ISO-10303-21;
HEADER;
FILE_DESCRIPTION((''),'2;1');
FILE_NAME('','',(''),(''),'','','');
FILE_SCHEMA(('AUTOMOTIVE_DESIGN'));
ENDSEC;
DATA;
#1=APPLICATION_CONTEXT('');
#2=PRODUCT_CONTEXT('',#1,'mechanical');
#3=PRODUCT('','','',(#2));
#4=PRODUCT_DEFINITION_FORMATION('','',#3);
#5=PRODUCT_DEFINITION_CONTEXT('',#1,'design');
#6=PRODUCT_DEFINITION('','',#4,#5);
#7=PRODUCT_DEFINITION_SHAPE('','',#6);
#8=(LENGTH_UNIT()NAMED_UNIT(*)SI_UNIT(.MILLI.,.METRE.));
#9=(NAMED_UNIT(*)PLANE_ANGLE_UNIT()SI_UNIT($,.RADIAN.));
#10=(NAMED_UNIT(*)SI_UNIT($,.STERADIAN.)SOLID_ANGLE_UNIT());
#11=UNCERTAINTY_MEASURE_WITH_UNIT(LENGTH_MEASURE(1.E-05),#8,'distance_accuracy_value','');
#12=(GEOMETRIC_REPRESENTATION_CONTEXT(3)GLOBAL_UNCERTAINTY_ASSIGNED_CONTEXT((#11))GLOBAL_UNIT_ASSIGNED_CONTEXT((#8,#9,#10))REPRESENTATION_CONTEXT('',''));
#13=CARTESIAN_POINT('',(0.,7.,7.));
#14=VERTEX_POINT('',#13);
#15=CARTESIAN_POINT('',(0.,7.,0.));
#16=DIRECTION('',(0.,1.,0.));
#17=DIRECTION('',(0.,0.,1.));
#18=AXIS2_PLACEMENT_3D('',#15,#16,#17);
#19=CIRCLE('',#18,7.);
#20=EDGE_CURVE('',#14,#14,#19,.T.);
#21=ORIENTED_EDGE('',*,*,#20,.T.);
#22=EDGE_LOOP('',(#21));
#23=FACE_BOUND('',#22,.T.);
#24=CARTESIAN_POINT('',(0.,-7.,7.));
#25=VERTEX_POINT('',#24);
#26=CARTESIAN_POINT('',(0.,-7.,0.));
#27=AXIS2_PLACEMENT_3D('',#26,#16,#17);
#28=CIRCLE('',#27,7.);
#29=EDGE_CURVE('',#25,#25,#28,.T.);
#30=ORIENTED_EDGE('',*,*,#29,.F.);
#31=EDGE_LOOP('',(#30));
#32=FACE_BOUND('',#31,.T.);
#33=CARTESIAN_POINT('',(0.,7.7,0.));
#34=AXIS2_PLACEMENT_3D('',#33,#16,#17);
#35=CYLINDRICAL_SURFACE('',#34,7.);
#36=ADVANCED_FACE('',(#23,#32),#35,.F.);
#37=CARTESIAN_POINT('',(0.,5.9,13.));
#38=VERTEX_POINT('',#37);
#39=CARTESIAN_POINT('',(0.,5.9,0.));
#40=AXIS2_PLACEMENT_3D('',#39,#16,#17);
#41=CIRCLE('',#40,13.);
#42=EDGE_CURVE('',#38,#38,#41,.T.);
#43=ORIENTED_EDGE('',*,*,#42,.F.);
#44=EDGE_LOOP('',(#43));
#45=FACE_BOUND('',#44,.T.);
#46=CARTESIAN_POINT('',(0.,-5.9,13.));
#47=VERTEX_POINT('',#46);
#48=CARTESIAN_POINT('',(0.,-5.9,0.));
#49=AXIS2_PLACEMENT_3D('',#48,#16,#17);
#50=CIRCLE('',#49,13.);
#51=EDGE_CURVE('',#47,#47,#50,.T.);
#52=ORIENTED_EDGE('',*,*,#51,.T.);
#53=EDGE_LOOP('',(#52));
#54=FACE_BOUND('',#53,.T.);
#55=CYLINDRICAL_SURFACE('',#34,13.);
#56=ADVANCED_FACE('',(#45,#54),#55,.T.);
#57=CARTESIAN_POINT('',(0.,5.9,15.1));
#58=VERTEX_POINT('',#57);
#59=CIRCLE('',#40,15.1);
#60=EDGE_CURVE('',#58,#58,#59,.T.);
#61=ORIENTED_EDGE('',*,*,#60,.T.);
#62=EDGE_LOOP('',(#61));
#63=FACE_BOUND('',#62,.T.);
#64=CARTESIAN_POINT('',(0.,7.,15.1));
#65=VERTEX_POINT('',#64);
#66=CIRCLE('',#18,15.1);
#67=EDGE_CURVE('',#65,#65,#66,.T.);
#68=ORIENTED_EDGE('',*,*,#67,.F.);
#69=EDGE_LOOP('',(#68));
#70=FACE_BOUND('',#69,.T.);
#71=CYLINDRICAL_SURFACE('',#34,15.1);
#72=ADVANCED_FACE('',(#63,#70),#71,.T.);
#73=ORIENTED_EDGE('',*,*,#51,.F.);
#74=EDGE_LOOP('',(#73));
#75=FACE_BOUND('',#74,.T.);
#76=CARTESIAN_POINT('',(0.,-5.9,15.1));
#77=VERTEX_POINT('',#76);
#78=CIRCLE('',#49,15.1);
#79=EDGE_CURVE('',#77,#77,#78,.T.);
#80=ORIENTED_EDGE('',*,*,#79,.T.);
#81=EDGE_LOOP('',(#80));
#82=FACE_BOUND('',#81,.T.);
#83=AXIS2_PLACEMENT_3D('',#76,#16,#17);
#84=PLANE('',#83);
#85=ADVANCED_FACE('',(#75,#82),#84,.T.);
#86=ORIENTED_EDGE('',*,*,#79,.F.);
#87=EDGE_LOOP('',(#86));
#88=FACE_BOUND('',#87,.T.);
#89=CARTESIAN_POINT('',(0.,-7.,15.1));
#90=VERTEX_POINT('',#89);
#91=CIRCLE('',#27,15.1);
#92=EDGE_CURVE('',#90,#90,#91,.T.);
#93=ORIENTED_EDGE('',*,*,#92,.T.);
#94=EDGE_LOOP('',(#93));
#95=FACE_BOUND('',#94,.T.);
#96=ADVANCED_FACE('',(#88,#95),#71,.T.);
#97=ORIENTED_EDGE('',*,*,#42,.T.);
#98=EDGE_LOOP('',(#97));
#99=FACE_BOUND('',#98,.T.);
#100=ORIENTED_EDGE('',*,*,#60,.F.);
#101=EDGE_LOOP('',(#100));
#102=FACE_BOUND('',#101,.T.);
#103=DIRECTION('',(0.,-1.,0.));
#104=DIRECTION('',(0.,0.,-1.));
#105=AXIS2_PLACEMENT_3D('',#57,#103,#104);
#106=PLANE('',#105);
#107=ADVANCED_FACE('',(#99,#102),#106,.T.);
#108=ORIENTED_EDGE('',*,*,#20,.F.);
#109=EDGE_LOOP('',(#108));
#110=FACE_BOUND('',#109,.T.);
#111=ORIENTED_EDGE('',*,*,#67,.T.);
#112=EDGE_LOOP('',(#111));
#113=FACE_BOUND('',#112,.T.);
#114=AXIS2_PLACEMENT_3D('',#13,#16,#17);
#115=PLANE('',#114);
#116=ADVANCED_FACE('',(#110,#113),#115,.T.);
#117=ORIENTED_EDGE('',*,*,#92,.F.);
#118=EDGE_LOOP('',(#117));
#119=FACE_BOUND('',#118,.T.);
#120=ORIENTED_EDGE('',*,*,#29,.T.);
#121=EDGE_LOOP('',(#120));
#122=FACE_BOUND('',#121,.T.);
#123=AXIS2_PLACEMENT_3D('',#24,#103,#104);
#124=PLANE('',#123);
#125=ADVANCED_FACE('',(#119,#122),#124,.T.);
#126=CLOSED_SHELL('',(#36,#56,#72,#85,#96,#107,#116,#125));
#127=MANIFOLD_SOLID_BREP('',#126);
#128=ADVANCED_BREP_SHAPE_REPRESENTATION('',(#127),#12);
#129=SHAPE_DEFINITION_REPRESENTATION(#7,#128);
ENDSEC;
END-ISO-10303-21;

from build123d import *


with BuildPart() as part:
    # Sketch1 → Revolve1 (revolve)
    with BuildSketch(Plane(origin=(0, 0, 0), x_dir=(0, 0, -1), z_dir=(1, 0, 0))):
        Polygon((-7, -7), (-7, 7), (-15.1, 7), (-15.1, 5.9), (-13, 5.9), (-13, -5.9), (-15.1, -5.9), (-15.1, -7), align=None)
    revolve(axis=Axis((0, 7.7, 0), (0, -1, 0)))


solid = part.part
